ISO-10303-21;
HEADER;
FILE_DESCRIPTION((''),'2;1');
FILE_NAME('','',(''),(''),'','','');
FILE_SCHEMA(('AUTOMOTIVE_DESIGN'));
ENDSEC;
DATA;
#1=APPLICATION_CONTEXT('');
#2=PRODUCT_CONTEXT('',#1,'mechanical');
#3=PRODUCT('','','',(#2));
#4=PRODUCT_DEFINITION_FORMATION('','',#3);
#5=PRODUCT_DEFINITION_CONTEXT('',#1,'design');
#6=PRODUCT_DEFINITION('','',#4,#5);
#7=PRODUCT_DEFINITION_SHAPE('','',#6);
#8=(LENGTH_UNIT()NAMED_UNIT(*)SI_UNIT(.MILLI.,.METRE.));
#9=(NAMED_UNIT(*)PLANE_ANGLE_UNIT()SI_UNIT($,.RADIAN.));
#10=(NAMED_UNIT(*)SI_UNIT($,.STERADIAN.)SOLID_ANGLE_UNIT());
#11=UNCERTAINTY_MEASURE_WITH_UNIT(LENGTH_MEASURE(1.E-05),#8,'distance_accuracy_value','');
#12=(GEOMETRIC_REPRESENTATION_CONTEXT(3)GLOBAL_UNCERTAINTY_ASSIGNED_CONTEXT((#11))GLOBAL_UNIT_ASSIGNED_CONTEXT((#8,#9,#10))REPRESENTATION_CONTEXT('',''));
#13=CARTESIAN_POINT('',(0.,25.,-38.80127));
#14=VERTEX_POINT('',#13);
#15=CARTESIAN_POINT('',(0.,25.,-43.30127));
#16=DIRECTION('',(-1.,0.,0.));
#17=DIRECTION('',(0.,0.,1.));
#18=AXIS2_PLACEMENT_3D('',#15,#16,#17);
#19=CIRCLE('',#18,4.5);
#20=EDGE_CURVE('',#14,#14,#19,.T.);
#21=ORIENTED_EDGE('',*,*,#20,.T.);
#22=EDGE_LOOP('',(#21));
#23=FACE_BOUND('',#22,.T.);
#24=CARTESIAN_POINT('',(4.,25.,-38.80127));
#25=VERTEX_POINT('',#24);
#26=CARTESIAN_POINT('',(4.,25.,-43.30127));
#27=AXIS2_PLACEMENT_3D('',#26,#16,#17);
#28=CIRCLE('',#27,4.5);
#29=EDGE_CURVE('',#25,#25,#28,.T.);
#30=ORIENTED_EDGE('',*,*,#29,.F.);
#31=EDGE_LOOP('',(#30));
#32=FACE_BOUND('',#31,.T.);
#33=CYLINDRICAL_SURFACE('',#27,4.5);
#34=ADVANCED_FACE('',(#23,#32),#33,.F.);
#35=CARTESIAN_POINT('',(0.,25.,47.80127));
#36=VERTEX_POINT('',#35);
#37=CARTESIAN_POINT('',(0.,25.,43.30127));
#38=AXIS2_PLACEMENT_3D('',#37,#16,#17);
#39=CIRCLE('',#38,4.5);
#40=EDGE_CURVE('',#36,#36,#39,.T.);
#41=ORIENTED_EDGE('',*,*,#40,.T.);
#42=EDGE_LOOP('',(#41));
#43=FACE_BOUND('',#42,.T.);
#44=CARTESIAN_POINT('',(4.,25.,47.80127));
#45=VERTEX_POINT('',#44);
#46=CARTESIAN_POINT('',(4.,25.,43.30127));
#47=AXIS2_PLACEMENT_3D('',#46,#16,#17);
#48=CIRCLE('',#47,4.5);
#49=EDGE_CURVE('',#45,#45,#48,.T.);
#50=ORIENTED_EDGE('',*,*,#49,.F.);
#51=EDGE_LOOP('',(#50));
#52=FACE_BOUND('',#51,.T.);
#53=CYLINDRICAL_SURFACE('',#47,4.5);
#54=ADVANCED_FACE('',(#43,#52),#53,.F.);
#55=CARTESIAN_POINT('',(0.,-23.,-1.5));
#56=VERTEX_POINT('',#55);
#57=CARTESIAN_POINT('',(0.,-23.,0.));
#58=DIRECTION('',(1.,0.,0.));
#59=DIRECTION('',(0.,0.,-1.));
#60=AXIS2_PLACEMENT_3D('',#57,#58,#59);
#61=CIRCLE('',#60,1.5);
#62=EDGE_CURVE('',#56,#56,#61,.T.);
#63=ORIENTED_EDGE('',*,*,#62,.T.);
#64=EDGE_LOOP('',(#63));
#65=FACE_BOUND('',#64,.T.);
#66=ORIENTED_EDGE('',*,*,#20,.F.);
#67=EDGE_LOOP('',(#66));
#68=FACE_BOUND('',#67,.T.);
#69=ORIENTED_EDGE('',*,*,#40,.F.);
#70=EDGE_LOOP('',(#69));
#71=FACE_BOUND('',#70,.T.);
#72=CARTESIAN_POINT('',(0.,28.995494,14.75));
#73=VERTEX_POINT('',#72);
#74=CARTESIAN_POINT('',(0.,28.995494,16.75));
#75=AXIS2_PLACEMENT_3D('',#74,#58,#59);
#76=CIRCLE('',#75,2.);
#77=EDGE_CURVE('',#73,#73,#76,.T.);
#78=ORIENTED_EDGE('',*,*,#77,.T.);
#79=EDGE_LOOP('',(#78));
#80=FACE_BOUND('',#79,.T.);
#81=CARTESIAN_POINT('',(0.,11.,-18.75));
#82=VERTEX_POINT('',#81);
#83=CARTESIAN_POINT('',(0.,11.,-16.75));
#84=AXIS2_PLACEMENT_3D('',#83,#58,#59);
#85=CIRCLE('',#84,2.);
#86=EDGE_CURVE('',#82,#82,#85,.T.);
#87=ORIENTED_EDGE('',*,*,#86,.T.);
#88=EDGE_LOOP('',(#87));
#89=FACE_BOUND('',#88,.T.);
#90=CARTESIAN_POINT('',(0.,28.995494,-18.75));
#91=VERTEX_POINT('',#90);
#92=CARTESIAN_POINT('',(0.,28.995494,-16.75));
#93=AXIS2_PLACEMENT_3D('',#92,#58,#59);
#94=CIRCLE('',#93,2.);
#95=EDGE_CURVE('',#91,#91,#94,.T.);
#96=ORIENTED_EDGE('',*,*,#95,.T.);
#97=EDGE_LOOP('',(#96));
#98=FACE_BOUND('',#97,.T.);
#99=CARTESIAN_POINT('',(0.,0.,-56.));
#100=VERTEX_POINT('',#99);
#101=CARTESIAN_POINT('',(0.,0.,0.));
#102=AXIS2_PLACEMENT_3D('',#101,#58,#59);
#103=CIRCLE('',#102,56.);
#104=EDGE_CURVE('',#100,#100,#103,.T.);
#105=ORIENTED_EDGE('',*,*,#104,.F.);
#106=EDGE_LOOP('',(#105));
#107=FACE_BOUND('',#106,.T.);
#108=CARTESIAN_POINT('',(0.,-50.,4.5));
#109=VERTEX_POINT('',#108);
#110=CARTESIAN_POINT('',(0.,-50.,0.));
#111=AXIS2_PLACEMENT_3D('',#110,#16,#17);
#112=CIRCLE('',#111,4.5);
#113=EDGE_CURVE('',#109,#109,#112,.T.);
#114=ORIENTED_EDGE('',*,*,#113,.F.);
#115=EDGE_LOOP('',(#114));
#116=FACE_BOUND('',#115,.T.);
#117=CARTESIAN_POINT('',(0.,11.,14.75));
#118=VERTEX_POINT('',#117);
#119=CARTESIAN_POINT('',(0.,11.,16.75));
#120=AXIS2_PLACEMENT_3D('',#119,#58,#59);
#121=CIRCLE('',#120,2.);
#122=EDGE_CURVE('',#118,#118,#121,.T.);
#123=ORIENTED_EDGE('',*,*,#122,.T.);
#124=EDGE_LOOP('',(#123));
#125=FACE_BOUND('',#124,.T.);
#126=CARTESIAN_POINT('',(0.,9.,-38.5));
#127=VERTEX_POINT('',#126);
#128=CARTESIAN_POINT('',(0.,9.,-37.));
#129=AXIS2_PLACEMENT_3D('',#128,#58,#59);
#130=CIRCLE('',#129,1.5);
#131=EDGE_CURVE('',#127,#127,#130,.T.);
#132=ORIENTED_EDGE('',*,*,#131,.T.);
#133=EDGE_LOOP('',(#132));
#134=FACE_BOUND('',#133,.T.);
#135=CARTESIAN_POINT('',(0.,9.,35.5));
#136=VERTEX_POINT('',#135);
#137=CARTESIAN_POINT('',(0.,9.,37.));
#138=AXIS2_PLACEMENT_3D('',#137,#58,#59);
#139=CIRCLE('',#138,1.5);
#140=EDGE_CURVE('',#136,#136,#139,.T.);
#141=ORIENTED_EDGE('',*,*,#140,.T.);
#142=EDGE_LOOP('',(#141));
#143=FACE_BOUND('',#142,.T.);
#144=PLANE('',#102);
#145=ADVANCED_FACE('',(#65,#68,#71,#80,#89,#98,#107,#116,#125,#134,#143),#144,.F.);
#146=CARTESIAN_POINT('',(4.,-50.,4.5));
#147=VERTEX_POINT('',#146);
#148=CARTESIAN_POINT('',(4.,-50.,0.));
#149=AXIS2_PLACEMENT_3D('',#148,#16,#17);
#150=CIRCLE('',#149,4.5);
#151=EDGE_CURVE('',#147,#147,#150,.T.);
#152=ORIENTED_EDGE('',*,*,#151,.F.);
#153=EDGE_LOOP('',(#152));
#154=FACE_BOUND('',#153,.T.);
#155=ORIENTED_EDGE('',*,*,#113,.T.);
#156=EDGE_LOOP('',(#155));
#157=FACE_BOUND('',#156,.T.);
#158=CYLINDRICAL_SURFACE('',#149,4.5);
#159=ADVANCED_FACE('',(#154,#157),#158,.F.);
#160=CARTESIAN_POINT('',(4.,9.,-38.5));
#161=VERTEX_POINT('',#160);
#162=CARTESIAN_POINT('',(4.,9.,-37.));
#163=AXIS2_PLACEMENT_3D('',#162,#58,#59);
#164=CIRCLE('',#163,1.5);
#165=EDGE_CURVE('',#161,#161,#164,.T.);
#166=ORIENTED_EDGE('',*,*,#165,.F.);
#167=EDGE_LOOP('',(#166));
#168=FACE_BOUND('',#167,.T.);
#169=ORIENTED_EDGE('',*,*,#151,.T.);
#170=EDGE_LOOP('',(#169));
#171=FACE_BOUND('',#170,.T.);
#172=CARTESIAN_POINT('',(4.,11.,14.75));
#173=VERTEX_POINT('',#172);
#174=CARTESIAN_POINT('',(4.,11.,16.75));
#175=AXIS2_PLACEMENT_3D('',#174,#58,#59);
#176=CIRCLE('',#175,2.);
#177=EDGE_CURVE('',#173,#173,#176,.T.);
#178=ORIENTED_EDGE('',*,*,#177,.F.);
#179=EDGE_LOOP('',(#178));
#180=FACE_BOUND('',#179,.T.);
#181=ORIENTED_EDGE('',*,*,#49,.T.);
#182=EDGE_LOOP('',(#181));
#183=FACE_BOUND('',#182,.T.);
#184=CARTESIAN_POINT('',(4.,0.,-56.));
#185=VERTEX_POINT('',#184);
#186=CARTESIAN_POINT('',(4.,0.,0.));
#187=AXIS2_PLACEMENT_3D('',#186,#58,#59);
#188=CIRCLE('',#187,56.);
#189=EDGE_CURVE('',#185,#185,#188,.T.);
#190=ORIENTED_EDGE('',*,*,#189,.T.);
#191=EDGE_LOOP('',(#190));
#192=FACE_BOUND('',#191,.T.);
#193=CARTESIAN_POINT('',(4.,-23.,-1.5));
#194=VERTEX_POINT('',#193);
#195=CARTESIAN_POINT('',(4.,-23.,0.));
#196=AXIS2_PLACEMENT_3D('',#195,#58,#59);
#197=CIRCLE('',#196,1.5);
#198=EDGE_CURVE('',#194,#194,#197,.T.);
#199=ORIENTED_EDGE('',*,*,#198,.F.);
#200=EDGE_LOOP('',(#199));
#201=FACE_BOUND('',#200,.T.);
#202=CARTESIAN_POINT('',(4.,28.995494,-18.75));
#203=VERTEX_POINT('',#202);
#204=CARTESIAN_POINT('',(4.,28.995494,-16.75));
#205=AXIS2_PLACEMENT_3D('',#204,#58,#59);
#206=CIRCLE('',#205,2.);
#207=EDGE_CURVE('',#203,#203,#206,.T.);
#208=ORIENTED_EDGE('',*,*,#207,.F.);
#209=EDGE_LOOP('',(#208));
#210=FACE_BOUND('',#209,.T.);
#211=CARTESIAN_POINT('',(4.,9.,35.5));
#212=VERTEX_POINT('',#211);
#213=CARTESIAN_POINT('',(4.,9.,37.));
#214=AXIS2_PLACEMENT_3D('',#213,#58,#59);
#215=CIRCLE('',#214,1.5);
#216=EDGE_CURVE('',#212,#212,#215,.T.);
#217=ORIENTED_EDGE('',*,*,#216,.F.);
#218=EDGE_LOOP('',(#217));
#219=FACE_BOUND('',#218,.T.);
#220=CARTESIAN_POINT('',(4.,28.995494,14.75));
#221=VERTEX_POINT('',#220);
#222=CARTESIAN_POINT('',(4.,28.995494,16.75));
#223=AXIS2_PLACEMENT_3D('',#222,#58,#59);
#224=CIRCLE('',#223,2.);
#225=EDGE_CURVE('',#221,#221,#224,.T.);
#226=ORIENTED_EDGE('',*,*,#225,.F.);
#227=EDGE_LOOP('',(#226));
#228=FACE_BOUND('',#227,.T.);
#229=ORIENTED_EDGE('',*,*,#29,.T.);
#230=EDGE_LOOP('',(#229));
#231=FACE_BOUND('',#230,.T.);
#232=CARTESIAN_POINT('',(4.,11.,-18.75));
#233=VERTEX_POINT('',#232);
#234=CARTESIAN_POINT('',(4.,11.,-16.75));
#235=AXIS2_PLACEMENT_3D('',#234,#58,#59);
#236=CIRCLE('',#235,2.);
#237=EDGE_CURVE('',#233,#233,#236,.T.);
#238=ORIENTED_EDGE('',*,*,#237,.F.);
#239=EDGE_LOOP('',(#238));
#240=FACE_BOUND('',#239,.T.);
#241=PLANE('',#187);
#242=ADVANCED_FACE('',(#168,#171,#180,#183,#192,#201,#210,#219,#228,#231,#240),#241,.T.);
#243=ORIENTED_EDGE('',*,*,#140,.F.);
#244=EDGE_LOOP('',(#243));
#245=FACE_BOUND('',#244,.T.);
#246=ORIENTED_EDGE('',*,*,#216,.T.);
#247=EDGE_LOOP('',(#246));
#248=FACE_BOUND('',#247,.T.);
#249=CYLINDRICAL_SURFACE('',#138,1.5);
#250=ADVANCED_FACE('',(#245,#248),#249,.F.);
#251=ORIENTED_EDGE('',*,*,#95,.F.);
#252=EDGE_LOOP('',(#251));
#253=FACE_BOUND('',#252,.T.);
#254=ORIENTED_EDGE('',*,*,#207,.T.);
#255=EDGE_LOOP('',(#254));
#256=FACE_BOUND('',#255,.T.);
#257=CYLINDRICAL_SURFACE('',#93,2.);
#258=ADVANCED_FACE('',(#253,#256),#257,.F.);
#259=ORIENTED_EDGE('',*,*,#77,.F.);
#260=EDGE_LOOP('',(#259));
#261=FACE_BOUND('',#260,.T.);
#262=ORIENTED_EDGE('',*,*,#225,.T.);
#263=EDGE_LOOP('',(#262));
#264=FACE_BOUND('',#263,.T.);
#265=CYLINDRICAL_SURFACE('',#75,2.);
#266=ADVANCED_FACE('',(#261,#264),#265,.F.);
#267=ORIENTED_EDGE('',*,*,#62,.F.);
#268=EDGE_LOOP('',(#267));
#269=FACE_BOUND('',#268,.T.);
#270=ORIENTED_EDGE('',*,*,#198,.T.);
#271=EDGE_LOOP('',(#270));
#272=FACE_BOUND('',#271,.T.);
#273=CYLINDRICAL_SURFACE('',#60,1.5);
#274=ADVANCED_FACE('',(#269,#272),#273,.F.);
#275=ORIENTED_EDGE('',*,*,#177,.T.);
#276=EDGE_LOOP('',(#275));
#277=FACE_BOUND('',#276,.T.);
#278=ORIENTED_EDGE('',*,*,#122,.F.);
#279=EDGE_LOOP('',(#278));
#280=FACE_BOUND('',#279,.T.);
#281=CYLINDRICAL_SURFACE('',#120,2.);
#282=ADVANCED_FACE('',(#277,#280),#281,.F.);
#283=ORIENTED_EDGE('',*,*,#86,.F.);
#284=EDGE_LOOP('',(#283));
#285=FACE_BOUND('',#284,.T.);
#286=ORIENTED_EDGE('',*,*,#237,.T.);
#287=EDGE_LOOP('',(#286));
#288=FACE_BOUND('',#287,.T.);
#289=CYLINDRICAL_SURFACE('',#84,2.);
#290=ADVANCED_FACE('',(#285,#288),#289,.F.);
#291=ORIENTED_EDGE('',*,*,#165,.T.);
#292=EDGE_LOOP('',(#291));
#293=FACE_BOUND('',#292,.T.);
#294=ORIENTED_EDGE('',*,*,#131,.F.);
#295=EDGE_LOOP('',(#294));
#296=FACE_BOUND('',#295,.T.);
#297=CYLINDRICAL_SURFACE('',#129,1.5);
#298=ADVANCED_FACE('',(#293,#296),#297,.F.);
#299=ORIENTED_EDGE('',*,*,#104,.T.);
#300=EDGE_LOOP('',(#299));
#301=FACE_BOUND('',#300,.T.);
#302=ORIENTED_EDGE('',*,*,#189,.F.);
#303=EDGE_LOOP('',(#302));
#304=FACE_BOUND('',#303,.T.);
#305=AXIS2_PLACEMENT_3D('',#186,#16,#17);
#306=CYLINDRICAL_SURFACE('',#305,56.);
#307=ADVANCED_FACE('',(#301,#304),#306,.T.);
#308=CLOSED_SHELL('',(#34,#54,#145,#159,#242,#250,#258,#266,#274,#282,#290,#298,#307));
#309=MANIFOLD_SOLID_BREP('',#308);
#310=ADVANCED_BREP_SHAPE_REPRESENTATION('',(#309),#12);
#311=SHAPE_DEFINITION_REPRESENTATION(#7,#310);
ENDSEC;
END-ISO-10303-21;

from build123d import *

# Parameters (mm, degrees)
SKETCH1_R           = 56
BOSS_EXTRUDE1_DEPTH = 4
SKETCH2_R           = 4.5
CUT_EXTRUDE1_DEPTH  = 80.296910406
SKETCH4_R           = 2
SKETCH4_R_2         = 1.5
CUT_EXTRUDE3_DEPTH  = 80.296910406


with BuildPart() as part:
    # Sketch1 → Boss-Extrude1 (new body)
    with BuildSketch(Plane(origin=(0, 0, 0), x_dir=(0, 0, -1), z_dir=(1, 0, 0))):
        Circle(SKETCH1_R)
    extrude(amount=BOSS_EXTRUDE1_DEPTH)

    # Sketch2 → Cut-Extrude1 (cut, through all)
    with BuildSketch(Plane.ZY):
        with Locations((-43.301270189, 25)):
            Circle(SKETCH2_R)
        with Locations((43.301270189, 25)):
            Circle(SKETCH2_R)
        with Locations((0, -50)):
            Circle(SKETCH2_R)
    extrude(amount=-CUT_EXTRUDE1_DEPTH, mode=Mode.SUBTRACT)

    # Sketch4 → Cut-Extrude3 (cut, through all)
    with BuildSketch(Plane(origin=(4, 0, 0), x_dir=(0, 0, -1), z_dir=(1, 0, 0))):
        with Locations((-16.75, 28.995494219)):
            Circle(SKETCH4_R)
        with Locations((16.75, 28.995494219)):
            Circle(SKETCH4_R)
        with Locations((16.75, 11)):
            Circle(SKETCH4_R)
        with Locations((-16.75, 11)):
            Circle(SKETCH4_R)
        with Locations((-37, 9)):
            Circle(SKETCH4_R_2)
        with Locations((0, -23)):
            Circle(SKETCH4_R_2)
        with Locations((37, 9)):
            Circle(SKETCH4_R_2)
    extrude(amount=-CUT_EXTRUDE3_DEPTH, mode=Mode.SUBTRACT)


solid = part.part
